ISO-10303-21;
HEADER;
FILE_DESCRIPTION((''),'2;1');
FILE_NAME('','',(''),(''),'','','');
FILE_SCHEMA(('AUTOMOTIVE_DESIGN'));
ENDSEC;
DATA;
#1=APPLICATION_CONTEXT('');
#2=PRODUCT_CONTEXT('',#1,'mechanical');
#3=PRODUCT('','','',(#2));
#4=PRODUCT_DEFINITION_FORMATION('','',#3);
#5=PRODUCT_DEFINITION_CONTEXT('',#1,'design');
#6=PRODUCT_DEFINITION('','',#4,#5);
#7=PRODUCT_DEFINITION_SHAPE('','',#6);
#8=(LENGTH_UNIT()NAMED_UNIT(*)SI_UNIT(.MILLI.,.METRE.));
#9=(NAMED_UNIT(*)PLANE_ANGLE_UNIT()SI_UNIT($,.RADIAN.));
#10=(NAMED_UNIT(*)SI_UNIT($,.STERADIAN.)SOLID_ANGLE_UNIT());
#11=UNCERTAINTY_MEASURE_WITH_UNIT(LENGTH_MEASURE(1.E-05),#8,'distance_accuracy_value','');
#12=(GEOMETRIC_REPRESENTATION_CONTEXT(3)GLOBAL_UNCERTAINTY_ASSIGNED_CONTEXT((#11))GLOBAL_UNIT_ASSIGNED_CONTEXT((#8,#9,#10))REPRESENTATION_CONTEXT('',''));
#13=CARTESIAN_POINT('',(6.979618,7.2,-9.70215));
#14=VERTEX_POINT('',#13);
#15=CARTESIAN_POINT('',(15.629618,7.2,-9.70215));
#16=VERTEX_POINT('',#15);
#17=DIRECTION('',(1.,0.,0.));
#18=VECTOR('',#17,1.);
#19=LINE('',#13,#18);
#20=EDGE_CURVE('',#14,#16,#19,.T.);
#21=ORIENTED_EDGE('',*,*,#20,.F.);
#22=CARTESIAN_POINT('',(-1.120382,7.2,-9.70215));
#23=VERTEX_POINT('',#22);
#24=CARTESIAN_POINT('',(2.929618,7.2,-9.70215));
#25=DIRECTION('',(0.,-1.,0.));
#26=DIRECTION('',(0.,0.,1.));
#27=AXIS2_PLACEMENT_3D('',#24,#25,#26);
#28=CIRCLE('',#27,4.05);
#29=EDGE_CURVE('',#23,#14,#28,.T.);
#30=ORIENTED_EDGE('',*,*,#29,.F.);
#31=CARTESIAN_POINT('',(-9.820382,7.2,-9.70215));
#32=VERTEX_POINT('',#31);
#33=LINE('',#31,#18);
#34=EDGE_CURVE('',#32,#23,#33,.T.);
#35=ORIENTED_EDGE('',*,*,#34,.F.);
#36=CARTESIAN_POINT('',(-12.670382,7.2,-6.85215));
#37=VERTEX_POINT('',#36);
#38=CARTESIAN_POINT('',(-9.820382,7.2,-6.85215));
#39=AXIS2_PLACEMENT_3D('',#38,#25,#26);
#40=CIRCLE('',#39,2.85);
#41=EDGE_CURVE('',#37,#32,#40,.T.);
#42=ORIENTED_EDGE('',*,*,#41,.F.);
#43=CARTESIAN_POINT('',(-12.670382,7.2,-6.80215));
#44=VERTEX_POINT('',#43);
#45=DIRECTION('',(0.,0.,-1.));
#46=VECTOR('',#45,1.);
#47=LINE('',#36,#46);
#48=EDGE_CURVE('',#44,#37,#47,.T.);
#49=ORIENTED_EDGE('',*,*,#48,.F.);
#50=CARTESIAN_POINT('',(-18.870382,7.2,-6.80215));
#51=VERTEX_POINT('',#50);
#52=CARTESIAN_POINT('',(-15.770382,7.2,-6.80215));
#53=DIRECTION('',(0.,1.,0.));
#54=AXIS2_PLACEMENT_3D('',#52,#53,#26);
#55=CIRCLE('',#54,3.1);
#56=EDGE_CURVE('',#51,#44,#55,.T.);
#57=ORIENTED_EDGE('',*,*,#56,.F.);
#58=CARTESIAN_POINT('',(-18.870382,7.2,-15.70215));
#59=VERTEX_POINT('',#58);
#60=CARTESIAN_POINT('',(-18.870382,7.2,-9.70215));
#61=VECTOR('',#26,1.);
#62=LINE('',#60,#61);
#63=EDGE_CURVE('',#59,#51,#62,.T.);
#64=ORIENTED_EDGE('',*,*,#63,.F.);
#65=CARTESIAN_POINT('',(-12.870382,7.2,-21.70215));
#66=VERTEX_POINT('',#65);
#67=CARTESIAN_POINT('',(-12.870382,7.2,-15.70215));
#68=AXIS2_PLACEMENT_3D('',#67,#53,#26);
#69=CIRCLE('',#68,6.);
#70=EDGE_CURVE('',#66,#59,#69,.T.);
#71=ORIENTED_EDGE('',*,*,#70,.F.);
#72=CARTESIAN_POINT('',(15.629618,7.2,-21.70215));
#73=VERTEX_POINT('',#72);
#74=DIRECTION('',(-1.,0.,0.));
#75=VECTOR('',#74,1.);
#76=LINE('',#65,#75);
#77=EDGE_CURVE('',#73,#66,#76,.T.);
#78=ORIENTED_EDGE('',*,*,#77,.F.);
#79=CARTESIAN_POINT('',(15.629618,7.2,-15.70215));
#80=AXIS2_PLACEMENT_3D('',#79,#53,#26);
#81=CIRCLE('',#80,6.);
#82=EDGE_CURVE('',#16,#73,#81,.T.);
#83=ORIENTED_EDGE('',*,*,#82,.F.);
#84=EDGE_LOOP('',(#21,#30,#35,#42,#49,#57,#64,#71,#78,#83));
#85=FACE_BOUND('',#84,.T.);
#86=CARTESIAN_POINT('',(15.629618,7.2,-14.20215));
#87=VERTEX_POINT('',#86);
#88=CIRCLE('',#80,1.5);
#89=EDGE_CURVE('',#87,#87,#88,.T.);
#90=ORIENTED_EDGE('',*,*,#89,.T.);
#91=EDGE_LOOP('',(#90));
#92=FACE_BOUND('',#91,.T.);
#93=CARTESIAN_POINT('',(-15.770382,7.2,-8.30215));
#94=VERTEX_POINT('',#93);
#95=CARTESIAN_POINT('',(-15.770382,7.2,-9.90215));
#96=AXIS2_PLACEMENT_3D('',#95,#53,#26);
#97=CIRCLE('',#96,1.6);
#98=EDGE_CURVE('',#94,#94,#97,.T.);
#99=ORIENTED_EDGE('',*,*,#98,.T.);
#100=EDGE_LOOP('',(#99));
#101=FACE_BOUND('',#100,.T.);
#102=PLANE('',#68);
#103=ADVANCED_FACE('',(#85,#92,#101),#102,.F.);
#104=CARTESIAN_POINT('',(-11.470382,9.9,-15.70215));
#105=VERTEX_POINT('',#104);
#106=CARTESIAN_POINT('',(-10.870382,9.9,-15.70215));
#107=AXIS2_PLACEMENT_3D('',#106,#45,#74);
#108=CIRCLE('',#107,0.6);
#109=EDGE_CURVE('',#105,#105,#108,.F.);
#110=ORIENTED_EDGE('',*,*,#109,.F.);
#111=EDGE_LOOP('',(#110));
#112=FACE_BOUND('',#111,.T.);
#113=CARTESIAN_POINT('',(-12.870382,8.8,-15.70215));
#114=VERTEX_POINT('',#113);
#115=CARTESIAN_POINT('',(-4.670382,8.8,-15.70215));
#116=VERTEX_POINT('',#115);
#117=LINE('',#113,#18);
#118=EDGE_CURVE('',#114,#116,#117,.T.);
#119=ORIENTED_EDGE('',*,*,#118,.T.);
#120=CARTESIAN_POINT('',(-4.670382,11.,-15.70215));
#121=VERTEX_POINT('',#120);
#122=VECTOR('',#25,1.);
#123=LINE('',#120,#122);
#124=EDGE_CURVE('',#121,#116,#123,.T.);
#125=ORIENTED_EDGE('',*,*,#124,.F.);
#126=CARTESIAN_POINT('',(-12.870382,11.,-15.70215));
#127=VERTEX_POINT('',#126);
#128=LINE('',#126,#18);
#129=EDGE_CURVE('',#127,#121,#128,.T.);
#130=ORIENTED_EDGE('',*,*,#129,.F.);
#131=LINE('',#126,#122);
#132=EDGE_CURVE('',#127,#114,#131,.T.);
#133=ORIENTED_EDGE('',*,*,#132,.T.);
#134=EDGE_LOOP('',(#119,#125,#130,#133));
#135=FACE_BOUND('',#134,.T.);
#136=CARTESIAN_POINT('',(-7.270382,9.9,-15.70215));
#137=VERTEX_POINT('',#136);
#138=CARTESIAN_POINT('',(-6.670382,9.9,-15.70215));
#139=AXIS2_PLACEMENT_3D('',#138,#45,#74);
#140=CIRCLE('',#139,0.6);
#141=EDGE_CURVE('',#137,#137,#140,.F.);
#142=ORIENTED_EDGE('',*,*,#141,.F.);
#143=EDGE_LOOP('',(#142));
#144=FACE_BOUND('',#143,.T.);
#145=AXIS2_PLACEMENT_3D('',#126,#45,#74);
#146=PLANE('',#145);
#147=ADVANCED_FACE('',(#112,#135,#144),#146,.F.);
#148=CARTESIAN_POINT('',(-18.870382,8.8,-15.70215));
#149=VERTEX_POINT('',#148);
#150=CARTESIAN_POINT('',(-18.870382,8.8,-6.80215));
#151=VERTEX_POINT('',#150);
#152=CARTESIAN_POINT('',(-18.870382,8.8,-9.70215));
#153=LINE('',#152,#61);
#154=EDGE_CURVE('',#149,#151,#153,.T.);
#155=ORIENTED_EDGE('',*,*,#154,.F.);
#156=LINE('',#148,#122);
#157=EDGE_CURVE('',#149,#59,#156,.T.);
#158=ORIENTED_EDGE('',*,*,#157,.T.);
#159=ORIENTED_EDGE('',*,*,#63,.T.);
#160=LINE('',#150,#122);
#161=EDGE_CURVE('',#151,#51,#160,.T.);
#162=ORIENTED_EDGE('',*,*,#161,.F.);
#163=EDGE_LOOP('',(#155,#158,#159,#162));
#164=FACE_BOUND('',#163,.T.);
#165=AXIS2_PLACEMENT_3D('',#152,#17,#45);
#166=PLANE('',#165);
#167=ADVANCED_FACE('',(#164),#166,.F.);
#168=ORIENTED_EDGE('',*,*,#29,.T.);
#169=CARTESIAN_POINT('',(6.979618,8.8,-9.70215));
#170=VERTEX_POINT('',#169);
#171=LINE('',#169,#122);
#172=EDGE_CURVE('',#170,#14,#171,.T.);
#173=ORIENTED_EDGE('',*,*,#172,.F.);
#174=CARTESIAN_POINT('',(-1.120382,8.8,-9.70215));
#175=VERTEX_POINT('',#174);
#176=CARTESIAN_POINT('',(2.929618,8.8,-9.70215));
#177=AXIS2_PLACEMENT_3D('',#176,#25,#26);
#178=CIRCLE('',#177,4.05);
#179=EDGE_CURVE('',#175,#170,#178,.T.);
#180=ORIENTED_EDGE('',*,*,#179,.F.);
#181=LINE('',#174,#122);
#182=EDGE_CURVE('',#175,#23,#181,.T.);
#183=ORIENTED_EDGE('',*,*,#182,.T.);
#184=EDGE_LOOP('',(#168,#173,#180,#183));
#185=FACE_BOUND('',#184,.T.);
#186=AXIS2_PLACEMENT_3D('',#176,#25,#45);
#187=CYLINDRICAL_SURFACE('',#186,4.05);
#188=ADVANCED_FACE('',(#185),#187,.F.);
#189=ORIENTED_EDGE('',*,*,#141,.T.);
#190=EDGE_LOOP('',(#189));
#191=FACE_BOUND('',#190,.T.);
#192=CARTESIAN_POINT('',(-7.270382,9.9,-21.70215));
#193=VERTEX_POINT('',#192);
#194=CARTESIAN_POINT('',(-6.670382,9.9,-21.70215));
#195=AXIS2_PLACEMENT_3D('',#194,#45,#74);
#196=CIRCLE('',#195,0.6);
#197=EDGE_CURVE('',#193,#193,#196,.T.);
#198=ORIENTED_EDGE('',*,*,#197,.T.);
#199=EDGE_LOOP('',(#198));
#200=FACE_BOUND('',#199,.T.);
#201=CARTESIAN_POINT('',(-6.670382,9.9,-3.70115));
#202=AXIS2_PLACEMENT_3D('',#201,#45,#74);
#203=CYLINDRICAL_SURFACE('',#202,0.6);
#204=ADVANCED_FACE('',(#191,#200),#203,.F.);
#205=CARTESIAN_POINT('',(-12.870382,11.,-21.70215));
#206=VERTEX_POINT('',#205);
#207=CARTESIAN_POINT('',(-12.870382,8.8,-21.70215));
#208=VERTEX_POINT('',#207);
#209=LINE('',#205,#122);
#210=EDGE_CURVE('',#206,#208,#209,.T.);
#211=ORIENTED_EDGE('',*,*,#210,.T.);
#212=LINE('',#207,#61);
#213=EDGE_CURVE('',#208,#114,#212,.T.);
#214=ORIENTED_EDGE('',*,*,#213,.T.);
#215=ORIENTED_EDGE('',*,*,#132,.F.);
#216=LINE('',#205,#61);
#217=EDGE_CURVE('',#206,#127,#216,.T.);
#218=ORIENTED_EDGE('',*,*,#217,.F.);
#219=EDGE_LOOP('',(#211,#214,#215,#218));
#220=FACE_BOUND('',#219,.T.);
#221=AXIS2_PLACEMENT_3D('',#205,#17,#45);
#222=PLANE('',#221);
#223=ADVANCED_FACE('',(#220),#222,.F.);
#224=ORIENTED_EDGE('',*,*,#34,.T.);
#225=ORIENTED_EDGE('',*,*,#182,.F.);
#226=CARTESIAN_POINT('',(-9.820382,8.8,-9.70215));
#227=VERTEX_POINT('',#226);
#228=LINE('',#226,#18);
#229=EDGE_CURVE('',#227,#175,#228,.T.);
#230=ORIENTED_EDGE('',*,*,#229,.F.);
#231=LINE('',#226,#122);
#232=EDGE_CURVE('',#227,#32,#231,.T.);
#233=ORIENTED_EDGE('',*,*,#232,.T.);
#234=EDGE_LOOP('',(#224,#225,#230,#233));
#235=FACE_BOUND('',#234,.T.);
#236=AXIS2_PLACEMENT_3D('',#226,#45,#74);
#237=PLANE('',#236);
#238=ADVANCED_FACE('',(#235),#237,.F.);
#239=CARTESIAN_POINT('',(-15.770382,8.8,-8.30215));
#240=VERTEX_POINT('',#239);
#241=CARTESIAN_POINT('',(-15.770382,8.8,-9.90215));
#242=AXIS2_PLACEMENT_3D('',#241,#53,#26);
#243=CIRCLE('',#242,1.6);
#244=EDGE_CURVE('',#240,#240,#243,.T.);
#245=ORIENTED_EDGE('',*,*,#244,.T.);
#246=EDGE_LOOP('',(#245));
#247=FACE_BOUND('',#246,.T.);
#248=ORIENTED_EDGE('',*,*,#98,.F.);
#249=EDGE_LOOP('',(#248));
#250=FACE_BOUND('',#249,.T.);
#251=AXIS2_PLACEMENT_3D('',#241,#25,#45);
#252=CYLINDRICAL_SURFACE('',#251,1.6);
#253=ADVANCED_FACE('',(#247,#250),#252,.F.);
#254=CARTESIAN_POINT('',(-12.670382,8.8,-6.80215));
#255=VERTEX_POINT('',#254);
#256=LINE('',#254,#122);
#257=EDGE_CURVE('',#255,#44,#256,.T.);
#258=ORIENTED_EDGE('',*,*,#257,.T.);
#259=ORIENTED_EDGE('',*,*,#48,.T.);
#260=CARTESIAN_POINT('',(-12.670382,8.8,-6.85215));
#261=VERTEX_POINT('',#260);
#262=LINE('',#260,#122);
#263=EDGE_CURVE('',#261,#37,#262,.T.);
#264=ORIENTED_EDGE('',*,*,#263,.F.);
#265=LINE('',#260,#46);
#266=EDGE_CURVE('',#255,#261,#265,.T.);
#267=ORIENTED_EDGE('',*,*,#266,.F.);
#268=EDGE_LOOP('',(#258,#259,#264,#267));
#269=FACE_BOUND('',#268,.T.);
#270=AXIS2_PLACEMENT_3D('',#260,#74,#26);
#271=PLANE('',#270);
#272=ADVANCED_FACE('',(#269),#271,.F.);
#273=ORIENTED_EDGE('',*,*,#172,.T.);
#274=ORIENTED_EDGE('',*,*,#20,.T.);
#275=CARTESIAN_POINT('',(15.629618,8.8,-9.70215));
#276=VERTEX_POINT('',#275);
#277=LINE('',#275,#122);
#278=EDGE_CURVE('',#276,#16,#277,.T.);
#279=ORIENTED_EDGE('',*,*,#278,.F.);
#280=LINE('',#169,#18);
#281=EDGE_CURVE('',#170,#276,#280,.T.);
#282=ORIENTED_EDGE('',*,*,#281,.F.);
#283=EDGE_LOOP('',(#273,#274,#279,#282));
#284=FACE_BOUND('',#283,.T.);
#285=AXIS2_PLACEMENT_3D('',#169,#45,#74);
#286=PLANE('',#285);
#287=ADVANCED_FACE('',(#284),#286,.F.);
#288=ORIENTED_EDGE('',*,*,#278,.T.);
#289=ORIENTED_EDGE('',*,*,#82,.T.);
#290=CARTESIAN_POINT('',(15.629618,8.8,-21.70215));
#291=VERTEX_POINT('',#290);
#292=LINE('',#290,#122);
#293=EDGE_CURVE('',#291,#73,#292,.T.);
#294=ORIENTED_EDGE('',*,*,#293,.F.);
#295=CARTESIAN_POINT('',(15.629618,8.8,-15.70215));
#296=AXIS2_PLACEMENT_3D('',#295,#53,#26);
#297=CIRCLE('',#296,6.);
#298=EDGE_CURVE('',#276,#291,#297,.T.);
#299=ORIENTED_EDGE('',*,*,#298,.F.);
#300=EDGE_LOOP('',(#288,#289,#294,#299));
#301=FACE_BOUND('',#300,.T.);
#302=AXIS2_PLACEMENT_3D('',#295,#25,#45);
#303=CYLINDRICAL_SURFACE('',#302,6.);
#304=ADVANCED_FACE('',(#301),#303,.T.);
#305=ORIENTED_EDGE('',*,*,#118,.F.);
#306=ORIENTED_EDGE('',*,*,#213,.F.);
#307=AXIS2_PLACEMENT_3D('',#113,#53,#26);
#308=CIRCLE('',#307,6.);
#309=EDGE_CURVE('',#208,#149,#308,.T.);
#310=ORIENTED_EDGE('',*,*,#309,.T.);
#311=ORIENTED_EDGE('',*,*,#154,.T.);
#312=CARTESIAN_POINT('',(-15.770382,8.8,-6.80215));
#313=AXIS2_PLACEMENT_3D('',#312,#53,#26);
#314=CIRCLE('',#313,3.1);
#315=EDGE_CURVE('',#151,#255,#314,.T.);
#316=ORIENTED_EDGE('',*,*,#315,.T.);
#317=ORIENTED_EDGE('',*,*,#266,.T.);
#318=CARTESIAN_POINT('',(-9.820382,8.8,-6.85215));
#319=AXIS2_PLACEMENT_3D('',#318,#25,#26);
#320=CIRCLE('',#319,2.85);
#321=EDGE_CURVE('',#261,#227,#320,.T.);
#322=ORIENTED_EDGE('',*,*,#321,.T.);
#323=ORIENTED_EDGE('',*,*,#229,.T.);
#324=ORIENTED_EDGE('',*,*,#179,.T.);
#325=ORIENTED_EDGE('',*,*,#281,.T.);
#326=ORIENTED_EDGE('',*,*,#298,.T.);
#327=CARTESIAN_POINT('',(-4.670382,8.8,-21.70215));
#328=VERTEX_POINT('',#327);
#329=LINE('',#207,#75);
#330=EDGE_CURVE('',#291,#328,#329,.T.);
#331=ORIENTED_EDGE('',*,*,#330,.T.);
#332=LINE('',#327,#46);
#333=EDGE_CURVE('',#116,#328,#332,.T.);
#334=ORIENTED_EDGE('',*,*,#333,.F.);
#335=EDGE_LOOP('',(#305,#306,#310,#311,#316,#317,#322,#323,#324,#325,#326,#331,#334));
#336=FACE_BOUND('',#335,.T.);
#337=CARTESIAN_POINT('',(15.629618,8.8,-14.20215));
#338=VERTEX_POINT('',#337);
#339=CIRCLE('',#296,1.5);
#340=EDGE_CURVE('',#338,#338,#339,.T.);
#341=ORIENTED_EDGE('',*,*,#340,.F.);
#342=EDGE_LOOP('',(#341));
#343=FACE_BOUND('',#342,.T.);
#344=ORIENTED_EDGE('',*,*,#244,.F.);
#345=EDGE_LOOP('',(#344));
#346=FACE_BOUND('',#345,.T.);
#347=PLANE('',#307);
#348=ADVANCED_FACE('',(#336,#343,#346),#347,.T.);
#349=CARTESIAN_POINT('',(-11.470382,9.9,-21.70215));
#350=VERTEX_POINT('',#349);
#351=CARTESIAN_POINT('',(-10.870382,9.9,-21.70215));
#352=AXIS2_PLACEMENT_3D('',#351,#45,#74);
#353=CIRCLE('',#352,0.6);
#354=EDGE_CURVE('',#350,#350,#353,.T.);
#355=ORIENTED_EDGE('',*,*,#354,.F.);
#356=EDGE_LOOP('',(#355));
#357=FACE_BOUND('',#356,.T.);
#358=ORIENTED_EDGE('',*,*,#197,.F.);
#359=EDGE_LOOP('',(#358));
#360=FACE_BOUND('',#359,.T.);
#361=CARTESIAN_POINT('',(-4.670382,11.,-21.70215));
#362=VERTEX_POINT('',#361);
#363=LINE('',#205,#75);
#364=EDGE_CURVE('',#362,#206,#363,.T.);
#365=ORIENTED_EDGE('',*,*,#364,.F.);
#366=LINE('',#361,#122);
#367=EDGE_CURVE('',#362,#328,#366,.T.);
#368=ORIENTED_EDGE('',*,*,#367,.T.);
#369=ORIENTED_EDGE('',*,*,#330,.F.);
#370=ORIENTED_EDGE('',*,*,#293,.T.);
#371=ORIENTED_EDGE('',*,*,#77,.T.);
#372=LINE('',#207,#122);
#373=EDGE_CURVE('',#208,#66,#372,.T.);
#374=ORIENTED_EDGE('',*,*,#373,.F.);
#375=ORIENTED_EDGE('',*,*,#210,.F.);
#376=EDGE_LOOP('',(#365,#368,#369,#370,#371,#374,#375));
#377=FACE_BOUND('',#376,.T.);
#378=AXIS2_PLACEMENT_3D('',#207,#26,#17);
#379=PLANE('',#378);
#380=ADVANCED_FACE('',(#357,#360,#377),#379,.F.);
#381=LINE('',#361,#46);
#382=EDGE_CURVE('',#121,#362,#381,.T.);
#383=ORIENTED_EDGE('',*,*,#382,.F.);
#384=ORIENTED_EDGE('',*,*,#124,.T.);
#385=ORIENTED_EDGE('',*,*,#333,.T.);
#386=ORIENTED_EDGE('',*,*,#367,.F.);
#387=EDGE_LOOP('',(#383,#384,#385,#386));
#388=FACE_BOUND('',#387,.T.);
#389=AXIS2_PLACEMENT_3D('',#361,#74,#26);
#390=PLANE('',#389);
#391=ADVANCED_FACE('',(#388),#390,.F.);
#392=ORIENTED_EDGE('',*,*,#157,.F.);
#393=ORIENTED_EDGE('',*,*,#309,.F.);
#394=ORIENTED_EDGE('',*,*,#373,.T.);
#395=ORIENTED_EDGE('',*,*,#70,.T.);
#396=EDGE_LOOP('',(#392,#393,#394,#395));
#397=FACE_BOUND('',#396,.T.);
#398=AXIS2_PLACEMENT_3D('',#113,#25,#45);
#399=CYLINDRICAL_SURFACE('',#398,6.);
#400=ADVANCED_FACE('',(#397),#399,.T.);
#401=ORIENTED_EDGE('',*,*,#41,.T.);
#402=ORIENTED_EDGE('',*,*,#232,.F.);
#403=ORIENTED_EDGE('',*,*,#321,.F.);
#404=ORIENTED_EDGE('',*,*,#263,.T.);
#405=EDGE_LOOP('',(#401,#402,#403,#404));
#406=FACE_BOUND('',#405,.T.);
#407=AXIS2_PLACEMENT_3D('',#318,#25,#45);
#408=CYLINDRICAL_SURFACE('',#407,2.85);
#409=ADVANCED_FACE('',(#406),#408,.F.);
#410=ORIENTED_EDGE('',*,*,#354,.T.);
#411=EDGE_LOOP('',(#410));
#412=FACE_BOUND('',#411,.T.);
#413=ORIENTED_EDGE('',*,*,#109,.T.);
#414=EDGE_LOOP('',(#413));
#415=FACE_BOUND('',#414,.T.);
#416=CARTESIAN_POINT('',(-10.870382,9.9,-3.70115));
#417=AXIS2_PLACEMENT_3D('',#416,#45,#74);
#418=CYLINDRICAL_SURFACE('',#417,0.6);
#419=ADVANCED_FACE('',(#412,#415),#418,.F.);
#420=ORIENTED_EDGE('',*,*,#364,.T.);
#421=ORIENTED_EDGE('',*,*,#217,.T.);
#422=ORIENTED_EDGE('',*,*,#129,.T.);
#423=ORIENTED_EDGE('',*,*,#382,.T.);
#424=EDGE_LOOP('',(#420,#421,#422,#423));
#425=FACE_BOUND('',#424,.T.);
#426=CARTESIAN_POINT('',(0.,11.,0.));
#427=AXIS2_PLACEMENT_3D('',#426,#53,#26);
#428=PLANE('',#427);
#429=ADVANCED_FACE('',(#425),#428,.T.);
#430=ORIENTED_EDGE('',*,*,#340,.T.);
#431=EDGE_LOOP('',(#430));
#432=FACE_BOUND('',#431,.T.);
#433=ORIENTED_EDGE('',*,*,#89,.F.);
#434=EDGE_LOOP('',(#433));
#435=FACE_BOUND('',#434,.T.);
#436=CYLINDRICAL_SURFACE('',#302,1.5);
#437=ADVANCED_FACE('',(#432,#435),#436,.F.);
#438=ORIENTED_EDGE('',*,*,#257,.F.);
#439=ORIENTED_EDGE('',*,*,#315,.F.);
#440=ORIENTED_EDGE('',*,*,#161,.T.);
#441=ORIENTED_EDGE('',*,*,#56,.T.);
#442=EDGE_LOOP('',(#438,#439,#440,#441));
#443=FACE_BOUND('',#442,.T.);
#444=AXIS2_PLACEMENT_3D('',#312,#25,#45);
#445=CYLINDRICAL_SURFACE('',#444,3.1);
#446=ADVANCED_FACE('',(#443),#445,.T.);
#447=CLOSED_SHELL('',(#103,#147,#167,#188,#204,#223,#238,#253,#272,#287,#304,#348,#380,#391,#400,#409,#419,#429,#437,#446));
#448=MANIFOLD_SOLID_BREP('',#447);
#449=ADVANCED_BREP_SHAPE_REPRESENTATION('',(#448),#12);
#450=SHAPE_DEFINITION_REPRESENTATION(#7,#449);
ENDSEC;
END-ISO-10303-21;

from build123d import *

# Parameters (mm, degrees)
SKETCH1_R           = 15
SKETCH1_R_2         = 16
BOSS_EXTRUDE2_DEPTH = 16
SCALE1_SCALE        = 0.1
SKETCH2_W           = 8.2
SKETCH2_H           = 6
BOSS_EXTRUDE3_DEPTH = 2.2
CUT_EXTRUDE1_REACH  = 32.213
SKETCH3_R           = 0.6


with BuildPart() as part:
    # Sketch1 → Boss-Extrude2 (new body)
    with BuildSketch(Plane(origin=(0, 0, 0), x_dir=(1, 0, 0), z_dir=(0, 1, 0))):
        with BuildLine():
            Line((71.949541284, -40.775229358), (158.449541284, -40.775229358))
            ThreePointArc((158.449541284, -40.775229358), (218.449541284, 19.224770642), (158.449541284, 79.224770642))
            Line((158.449541284, 79.224770642), (-126.550458716, 79.224770642))
            ThreePointArc((-126.550458716, 79.224770642), (-168.976865587, 61.651177513), (-186.550458716, 19.224770642))
            Line((-186.550458716, 19.224770642), (-186.550458716, -40.775229358))
            Line((-186.550458716, -40.775229358), (-186.550458716, -69.775229358))
            ThreePointArc((-186.550458716, -69.775229358), (-155.550458716, -100.775229358), (-124.550458716, -69.775229358))
            Line((-124.550458716, -69.775229358), (-124.550458716, -69.275229358))
            ThreePointArc((-124.550458716, -69.275229358), (-116.203001979, -49.122686094), (-96.050458716, -40.775229358))
            Line((-96.050458716, -40.775229358), (-9.050458716, -40.775229358))
            ThreePointArc((-9.050458716, -40.775229358), (31.449541284, -0.275229358), (71.949541284, -40.775229358))
        make_face()
        with Locations(Location((158.449541284, 19.224770642, 0), (0, 0, 270))):
            Circle(SKETCH1_R, mode=Mode.SUBTRACT)
        with Locations(Location((-155.550458716, -38.775229358, 0), (0, 0, 270))):
            Circle(SKETCH1_R_2, mode=Mode.SUBTRACT)
    extrude(amount=BOSS_EXTRUDE2_DEPTH)


with BuildPart() as part_1:
    # Scale1: scaled about (-0.239262204, 8, -15.310747356)
    add(part.part.scale(SCALE1_SCALE).moved(Location((-0.215335984, 7.2, -13.77967262))))

    # Sketch2 → Boss-Extrude3 (add)
    with BuildSketch(Plane(origin=(0, 8.8, 0), x_dir=(1, 0, 0), z_dir=(0, 1, 0))):
        with Locations((-8.770381855, 18.702149685)):
            Rectangle(SKETCH2_W, SKETCH2_H)
    extrude(amount=BOSS_EXTRUDE3_DEPTH)

    # Sketch3 → Cut-Extrude1 (cut, up to next)
    with BuildSketch(Plane(origin=(0, 0, -21.702149685), x_dir=(-1, 0, 0), z_dir=(0, 0, -1)), mode=Mode.PRIVATE) as cut_extrude1_sk1:
        with Locations((6.670381855, 9.9)):
            Circle(SKETCH3_R)
    cut_extrude1_tool1 = extrude(cut_extrude1_sk1.sketch, amount=-CUT_EXTRUDE1_REACH, mode=Mode.PRIVATE) & part_1.part
    # Sketch3 → Cut-Extrude1 (cut, up to next)
    with BuildSketch(Plane(origin=(0, 0, -21.702149685), x_dir=(-1, 0, 0), z_dir=(0, 0, -1)), mode=Mode.PRIVATE) as cut_extrude1_sk2:
        with Locations((10.870381855, 9.9)):
            Circle(SKETCH3_R)
    cut_extrude1_tool2 = extrude(cut_extrude1_sk2.sketch, amount=-CUT_EXTRUDE1_REACH, mode=Mode.PRIVATE) & part_1.part
    add(cut_extrude1_tool1.solids().sort_by_distance((-6.670382, 9.9, -21.70215))[0], mode=Mode.SUBTRACT)
    add(cut_extrude1_tool2.solids().sort_by_distance((-10.870382, 9.9, -21.70215))[0], mode=Mode.SUBTRACT)


solid = part_1.part
